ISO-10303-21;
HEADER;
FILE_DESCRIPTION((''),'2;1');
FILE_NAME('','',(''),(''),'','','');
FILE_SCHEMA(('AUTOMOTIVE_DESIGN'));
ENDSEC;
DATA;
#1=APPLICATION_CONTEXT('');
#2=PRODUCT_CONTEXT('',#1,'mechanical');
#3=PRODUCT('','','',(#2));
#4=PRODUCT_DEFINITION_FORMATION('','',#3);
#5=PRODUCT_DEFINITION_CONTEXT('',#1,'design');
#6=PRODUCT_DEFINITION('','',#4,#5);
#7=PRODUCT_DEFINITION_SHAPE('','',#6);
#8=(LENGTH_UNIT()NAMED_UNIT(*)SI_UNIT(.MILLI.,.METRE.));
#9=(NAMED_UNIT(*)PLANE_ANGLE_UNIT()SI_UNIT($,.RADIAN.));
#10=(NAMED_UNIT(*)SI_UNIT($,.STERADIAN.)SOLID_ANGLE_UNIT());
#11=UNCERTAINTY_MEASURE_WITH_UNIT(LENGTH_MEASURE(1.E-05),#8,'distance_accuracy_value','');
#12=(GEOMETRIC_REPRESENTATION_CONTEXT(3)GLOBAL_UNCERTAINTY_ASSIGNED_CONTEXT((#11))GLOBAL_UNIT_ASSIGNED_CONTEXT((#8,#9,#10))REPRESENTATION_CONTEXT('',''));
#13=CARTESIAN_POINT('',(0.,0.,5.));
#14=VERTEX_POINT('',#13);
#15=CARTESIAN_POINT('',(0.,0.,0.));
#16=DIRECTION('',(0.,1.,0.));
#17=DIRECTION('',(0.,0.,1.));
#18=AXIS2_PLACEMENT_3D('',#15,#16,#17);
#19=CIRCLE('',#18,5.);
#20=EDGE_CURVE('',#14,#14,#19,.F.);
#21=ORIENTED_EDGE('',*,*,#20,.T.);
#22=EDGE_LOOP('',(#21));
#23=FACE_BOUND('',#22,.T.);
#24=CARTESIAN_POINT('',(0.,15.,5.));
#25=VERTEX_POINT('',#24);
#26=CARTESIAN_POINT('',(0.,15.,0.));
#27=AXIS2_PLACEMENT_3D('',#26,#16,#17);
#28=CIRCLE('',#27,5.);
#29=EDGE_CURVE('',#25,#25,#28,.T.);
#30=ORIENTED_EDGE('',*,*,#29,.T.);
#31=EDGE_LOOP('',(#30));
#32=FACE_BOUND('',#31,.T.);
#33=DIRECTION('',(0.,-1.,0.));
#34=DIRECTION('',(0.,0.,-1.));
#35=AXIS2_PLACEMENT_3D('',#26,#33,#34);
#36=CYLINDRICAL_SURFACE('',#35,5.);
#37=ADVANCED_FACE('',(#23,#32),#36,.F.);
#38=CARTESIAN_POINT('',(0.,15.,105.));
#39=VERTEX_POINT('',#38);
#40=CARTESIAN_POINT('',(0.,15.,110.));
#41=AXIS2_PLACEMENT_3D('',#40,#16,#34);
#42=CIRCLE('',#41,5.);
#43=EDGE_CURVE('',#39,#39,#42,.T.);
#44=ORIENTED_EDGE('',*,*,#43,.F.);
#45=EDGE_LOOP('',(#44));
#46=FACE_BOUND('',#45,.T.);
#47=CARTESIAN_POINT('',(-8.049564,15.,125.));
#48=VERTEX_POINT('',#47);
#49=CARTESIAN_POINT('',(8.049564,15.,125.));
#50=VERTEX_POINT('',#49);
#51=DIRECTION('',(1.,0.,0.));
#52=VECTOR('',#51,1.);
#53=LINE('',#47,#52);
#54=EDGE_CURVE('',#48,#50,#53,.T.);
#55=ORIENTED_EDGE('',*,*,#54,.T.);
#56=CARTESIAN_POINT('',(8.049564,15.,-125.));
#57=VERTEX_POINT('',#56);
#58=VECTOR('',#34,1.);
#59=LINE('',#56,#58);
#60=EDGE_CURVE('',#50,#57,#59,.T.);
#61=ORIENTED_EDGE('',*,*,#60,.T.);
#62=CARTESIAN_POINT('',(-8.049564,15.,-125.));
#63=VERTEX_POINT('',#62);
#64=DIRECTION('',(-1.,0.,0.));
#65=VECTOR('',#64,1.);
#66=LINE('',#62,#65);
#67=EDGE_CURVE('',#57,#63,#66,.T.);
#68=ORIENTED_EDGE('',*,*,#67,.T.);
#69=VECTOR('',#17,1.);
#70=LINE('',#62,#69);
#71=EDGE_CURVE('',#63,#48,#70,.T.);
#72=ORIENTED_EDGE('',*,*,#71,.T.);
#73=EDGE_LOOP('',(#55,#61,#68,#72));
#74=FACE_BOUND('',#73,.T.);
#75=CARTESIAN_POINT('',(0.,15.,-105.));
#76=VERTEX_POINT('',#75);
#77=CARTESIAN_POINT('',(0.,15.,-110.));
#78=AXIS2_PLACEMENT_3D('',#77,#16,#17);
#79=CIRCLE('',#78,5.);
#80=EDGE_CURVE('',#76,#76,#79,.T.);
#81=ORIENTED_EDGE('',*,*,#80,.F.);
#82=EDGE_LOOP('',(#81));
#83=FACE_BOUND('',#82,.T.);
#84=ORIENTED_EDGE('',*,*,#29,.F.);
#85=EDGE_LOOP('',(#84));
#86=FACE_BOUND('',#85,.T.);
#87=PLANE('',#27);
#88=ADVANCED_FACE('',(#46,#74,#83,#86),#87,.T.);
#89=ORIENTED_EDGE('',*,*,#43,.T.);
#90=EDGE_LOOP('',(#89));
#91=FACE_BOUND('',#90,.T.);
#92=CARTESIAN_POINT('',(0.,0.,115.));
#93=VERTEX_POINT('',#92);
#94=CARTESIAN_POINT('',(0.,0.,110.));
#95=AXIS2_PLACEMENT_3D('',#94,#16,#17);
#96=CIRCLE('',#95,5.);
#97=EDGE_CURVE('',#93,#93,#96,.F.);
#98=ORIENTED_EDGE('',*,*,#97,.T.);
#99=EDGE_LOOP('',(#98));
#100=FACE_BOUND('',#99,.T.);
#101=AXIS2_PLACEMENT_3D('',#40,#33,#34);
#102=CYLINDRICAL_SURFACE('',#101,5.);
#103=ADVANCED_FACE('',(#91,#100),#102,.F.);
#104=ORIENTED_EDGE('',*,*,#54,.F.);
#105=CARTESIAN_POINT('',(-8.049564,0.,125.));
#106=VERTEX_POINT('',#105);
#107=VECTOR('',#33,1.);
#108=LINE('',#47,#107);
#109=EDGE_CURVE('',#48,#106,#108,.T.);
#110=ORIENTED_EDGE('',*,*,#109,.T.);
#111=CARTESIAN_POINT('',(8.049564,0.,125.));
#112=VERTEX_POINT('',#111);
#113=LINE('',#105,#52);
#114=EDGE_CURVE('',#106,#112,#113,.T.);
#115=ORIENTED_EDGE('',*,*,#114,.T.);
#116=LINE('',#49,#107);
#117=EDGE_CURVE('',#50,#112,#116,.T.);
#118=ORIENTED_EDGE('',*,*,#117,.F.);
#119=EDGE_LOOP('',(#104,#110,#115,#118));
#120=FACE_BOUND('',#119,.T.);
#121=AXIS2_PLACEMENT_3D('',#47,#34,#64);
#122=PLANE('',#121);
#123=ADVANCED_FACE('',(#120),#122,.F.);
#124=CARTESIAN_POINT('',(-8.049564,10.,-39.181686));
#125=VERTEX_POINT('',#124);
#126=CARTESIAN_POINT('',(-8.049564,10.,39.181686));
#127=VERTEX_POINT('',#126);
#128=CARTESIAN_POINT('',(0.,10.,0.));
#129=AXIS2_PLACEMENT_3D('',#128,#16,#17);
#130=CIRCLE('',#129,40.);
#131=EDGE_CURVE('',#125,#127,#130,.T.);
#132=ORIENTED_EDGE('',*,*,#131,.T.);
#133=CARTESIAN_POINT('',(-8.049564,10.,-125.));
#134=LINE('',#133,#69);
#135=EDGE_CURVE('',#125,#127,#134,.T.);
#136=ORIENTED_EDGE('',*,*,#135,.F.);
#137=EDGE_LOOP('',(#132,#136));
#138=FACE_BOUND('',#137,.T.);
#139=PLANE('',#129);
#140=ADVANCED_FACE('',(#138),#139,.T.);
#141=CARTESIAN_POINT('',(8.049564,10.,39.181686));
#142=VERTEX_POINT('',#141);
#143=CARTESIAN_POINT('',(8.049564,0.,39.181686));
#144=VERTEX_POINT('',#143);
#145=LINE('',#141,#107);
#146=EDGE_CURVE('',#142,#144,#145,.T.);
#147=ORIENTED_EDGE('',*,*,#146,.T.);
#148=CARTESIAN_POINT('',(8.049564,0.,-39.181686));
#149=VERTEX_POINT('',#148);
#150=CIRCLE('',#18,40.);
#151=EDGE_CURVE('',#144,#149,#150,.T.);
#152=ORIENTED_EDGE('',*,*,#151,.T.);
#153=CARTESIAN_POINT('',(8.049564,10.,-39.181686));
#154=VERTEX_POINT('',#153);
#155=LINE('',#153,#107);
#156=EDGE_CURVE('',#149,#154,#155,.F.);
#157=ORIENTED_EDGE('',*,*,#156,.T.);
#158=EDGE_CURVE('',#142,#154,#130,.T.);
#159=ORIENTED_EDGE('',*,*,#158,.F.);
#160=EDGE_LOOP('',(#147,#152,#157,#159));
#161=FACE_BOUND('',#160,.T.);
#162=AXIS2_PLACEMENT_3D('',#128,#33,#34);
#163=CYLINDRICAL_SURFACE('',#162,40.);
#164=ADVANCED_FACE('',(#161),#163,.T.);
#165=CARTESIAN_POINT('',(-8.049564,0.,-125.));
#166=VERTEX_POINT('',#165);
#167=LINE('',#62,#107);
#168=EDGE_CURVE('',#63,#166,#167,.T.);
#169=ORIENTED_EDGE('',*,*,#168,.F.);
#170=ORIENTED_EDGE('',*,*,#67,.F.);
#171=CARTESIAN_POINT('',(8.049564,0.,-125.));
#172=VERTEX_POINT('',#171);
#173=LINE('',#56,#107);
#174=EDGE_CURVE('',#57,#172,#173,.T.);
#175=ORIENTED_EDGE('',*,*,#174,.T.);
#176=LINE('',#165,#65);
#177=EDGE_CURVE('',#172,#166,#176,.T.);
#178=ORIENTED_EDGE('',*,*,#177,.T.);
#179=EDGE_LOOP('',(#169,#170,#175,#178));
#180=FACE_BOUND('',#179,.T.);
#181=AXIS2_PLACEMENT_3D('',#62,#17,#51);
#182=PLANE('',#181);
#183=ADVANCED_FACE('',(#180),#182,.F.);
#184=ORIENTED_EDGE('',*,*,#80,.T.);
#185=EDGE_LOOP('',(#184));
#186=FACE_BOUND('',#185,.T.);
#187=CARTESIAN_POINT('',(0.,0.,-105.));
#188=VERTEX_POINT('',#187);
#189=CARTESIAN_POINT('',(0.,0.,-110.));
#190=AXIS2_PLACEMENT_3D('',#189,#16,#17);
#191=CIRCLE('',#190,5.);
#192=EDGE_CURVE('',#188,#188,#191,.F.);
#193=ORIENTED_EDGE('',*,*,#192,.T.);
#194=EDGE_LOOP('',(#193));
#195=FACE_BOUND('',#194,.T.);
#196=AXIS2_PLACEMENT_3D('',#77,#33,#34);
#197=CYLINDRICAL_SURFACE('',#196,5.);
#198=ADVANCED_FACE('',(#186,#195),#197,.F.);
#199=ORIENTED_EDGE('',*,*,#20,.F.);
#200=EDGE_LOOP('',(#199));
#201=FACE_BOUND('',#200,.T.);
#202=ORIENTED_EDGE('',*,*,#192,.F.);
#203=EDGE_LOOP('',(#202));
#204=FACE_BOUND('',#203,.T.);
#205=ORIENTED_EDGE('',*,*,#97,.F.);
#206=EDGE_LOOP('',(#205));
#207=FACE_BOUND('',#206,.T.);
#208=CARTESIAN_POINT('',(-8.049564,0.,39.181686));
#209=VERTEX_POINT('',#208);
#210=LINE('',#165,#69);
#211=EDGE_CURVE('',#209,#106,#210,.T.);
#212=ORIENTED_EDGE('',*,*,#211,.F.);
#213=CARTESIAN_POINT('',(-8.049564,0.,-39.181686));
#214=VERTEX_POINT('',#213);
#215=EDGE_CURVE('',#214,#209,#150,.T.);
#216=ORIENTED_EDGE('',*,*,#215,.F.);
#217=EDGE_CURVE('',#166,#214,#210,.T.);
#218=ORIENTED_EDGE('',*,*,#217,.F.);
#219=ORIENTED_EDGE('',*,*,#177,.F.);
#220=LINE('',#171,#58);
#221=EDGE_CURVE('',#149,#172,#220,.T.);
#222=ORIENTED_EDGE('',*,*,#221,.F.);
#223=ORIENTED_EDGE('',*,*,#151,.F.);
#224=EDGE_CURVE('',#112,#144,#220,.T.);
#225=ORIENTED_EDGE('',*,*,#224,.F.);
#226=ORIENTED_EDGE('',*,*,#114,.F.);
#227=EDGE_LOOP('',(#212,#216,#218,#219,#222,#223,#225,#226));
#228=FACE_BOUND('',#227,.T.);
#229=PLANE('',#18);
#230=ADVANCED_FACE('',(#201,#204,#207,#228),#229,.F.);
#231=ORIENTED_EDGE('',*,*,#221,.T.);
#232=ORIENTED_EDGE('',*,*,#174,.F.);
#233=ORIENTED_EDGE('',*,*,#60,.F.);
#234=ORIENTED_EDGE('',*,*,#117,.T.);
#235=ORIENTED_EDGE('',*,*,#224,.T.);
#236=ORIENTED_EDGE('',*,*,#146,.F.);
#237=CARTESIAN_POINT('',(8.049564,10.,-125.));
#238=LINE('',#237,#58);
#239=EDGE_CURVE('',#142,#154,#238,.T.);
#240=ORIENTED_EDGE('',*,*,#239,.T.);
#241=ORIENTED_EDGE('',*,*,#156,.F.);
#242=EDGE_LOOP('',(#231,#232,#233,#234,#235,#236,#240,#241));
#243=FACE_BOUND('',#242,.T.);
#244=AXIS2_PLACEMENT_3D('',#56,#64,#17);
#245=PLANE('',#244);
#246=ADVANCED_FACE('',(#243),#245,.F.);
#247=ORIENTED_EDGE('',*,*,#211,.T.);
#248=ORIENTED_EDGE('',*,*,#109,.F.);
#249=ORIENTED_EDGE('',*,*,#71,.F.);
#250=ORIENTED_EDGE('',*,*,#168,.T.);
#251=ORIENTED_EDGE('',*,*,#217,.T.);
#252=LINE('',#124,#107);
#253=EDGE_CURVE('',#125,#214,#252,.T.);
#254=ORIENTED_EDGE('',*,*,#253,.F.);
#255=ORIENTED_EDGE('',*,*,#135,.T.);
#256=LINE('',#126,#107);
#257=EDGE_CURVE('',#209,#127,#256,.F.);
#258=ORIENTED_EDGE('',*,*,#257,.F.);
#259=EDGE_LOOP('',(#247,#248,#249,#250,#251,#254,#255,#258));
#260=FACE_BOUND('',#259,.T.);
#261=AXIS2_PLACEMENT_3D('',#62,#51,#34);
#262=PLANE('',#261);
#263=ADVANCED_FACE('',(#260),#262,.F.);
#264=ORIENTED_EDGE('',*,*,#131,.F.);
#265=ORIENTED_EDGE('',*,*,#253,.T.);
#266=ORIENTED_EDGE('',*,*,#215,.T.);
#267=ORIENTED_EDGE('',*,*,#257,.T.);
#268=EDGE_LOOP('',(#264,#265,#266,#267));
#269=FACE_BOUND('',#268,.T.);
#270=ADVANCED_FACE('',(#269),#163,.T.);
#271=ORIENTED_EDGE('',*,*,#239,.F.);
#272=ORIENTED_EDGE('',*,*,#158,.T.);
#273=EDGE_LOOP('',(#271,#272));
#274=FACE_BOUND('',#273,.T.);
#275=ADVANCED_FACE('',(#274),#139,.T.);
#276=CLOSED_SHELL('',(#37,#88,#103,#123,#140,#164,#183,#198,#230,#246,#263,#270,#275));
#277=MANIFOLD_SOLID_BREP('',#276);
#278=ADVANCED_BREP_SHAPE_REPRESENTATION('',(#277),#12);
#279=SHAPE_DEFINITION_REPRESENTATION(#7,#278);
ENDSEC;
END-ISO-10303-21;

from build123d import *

# Parameters (mm, degrees)
CROQUIS1_W                 = 16.099128824
CROQUIS1_H                 = 250
SALIENTE_EXTRUIR1_DEPTH    = 15
CROQUIS2_R                 = 40
SALIENTE_EXTRUIR2_DEPTH    = 10
CORTAR_EXTRUIR1_DEPTH      = 133.098448136
CORTAR_EXTRUIR1_DEPTH_BACK = 133.098448136
CROQUIS3_R                 = 5


with BuildPart() as part:
    # Croquis1 → Saliente-Extruir1 (new body)
    with BuildSketch(Plane(origin=(0, 0, 0), x_dir=(1, 0, 0), z_dir=(0, 1, 0))):
        Rectangle(CROQUIS1_W, CROQUIS1_H)
    extrude(amount=SALIENTE_EXTRUIR1_DEPTH)

    # Croquis2 → Saliente-Extruir2 (add)
    with BuildSketch(Plane(origin=(0, 0, 0), x_dir=(1, 0, 0), z_dir=(0, 1, 0))):
        Circle(CROQUIS2_R)
    extrude(amount=SALIENTE_EXTRUIR2_DEPTH)

    # Croquis3 → Cortar-Extruir1 (cut, two sides: drawn at the far end of the back side and taken through both)
    with BuildSketch(Plane(origin=(0, 0, 0), x_dir=(1, 0, 0), z_dir=(0, 1, 0)).offset(-CORTAR_EXTRUIR1_DEPTH_BACK)):
        with Locations(Location((0, 0, 0), (0, 0, 270))):
            Circle(CROQUIS3_R)
        with Locations(Location((0, 110, 0), (0, 0, 270))):
            Circle(CROQUIS3_R)
        with Locations(Location((0, -110, 0), (0, 0, 90))):
            Circle(CROQUIS3_R)
    extrude(amount=CORTAR_EXTRUIR1_DEPTH + CORTAR_EXTRUIR1_DEPTH_BACK, mode=Mode.SUBTRACT)


solid = part.part
